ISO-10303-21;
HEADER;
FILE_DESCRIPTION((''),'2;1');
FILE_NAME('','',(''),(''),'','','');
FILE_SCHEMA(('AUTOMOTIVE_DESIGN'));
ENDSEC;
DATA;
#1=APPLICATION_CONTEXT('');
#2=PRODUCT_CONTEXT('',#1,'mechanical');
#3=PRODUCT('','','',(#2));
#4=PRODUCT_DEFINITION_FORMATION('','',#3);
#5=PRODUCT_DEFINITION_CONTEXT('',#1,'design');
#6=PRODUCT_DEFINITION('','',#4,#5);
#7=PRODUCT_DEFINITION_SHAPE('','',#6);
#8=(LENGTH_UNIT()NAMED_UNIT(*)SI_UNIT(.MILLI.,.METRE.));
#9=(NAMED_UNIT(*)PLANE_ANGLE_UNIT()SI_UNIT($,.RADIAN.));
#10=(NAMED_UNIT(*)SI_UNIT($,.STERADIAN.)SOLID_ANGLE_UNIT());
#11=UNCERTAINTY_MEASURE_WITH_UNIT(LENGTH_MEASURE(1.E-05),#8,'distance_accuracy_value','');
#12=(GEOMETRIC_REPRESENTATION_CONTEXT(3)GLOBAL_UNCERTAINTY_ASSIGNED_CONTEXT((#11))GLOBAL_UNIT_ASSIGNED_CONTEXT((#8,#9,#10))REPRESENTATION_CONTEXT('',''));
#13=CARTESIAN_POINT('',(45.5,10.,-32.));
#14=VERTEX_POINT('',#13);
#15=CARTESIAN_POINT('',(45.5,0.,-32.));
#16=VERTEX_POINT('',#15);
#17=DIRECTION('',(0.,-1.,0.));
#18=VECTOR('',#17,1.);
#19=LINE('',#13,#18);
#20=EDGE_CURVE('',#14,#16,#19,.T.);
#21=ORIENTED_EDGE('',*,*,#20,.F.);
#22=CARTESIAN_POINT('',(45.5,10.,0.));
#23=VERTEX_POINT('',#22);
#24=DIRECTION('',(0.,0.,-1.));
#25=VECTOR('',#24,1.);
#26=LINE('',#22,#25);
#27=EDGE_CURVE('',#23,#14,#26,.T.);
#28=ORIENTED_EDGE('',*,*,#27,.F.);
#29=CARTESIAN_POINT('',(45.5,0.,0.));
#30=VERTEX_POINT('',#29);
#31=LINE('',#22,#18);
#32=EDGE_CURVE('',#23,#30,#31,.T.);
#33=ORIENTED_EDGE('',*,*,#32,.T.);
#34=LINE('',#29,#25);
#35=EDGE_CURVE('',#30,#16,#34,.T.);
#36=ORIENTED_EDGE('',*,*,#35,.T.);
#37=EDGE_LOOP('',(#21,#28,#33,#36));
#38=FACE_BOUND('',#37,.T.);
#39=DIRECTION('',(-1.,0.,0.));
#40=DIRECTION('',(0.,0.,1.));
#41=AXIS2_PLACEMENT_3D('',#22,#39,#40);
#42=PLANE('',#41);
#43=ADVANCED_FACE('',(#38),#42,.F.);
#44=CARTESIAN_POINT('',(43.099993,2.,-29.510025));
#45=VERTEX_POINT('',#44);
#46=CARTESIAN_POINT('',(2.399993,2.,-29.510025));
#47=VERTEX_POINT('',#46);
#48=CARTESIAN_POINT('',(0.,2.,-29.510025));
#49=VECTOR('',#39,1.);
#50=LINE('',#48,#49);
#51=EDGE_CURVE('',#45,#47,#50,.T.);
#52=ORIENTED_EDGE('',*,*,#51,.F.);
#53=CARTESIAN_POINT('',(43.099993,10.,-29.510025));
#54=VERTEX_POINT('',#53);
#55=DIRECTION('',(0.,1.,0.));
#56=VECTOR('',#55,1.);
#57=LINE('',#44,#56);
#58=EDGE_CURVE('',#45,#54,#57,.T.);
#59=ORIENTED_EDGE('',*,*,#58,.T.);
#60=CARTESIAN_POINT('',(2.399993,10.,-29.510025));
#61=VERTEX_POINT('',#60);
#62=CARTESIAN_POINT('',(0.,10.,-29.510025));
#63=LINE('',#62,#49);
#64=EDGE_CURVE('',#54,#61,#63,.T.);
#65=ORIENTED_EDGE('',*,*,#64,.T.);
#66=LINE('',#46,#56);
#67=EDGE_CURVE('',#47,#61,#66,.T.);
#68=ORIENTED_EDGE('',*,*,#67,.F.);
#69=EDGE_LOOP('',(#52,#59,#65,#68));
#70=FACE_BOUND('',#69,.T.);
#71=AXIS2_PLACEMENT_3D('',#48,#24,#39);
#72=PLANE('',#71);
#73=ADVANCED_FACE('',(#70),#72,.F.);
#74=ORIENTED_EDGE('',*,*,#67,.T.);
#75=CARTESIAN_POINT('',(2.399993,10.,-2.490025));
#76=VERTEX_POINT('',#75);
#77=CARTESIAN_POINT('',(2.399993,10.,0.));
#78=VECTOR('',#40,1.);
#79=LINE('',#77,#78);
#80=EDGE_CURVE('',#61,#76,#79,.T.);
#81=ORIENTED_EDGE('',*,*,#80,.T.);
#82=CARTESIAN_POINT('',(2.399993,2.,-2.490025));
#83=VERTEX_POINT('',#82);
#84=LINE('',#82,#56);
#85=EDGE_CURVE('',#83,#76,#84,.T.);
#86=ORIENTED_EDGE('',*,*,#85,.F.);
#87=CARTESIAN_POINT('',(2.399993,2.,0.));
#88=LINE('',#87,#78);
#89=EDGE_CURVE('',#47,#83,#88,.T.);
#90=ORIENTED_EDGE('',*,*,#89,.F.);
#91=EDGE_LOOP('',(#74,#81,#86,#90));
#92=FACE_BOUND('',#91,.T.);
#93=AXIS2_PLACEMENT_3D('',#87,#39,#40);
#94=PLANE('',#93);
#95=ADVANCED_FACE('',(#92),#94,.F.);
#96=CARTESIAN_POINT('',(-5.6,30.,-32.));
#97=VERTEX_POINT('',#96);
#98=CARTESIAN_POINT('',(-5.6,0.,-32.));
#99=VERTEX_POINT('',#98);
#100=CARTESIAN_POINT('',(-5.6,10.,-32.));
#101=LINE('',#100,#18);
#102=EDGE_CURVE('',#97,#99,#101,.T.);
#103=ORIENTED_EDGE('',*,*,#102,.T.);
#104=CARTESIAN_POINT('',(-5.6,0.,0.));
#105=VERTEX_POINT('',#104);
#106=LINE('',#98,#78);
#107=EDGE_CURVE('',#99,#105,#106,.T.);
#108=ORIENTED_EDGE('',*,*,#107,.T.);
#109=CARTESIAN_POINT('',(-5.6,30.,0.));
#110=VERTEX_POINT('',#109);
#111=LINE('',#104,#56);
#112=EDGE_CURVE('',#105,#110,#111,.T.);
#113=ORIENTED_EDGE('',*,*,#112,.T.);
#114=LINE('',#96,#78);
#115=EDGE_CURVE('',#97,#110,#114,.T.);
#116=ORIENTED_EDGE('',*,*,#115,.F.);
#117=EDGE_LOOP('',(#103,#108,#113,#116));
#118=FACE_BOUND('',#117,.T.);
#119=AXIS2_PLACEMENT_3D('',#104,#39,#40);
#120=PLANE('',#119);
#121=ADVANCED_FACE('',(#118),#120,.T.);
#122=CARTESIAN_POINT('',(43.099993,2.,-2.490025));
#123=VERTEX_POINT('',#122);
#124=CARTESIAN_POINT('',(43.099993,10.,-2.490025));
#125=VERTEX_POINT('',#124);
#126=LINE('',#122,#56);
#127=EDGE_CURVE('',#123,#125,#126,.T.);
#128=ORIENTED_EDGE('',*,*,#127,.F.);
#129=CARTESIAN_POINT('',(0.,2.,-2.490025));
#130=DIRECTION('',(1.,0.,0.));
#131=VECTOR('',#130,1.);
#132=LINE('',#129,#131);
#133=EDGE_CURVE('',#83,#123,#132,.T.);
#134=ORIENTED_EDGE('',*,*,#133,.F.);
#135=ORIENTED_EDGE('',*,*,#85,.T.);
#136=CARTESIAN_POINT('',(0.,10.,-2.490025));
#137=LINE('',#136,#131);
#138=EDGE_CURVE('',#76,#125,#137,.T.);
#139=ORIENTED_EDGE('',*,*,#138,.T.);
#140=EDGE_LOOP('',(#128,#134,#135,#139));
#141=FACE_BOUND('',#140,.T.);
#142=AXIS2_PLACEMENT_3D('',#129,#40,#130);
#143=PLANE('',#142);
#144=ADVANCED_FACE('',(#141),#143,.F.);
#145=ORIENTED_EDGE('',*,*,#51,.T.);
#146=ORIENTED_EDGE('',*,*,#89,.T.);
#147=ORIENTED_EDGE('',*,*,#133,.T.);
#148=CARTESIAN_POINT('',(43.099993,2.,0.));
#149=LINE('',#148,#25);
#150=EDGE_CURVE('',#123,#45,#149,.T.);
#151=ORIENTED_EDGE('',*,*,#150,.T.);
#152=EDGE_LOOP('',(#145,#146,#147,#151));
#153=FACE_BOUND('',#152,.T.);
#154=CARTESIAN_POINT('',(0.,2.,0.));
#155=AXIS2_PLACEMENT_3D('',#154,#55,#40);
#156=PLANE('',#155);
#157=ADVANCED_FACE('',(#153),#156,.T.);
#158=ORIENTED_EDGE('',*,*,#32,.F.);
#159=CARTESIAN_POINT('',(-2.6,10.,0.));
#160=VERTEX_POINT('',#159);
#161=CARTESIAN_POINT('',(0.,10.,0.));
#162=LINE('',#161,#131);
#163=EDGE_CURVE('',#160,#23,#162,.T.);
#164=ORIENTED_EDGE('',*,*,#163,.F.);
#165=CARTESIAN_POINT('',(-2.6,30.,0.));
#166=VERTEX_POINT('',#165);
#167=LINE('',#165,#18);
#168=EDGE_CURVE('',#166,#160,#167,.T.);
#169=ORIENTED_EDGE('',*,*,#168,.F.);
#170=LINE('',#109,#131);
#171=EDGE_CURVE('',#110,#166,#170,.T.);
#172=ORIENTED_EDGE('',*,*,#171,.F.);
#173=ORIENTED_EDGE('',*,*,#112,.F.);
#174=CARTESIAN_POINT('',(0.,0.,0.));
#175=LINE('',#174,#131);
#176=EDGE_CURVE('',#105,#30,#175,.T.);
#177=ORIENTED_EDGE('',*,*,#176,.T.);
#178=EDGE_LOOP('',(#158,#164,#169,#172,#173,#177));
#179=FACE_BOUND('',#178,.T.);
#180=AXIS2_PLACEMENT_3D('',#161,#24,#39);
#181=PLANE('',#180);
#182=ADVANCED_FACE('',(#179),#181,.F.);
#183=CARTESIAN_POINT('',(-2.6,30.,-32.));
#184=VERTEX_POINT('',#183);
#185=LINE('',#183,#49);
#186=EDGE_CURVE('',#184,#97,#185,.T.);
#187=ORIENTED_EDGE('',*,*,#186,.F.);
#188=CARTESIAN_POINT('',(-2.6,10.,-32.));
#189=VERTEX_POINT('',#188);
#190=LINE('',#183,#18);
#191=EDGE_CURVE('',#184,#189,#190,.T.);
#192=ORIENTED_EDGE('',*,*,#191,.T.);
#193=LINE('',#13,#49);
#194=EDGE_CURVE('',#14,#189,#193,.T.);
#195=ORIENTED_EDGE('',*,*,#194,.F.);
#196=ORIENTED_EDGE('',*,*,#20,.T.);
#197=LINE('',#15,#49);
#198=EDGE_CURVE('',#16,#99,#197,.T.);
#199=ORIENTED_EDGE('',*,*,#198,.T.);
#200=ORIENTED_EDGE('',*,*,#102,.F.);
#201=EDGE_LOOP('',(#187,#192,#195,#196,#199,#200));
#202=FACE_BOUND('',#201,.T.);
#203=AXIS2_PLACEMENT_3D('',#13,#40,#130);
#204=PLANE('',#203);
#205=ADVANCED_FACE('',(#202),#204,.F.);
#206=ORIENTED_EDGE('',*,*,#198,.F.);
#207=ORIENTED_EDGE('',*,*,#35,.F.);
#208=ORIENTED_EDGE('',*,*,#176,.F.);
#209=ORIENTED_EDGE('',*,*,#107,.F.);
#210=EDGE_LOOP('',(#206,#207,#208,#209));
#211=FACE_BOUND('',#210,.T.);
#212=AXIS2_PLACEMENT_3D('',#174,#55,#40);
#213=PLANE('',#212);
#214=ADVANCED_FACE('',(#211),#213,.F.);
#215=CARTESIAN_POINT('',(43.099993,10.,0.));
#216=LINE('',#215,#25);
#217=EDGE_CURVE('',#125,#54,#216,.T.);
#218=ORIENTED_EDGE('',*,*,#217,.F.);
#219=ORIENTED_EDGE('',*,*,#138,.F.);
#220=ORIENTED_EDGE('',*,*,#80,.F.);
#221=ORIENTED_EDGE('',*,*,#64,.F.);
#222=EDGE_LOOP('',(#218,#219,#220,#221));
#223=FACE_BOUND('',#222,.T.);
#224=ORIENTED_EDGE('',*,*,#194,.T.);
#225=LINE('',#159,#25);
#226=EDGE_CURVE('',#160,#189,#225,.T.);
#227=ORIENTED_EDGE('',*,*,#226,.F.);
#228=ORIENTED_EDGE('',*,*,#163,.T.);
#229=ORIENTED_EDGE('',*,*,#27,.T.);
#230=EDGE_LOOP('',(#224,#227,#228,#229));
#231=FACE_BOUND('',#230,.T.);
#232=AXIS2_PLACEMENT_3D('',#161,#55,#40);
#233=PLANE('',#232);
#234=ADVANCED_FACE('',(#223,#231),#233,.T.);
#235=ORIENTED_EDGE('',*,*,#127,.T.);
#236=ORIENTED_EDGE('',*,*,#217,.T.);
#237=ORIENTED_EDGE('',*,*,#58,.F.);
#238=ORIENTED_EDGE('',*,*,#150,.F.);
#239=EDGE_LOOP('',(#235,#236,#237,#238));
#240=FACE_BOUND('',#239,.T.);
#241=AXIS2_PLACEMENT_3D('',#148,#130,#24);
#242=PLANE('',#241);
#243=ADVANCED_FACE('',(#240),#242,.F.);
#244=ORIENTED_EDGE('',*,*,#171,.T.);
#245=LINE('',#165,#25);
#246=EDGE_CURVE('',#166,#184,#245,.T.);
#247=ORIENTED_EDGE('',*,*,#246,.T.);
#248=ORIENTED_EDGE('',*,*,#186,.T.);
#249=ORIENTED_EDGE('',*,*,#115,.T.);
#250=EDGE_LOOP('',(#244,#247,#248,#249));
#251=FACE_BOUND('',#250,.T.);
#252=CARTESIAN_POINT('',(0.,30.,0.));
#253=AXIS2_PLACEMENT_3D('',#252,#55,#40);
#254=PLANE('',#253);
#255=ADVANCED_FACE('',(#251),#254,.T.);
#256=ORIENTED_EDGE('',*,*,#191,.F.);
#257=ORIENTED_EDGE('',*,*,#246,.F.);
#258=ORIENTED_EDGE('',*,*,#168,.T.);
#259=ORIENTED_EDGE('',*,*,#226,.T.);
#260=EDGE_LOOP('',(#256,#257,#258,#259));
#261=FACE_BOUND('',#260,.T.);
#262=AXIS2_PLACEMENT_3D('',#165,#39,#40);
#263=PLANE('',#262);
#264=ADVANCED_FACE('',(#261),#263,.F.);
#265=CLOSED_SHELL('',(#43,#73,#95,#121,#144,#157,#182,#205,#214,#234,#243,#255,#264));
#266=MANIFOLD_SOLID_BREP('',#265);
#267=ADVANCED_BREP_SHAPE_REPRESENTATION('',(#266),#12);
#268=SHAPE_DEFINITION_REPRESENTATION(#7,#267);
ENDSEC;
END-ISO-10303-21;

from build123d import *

# Parameters (mm, degrees)
SKETCH1_W           = 45.5
SKETCH1_H           = 32
BOSS_EXTRUDE1_DEPTH = 10
SKETCH2_W           = 40.7
SKETCH2_H           = 27.02
CUT_EXTRUDE1_DEPTH  = 8
SKETCH3_W           = 32
SKETCH3_H           = 10
BOSS_EXTRUDE2_DEPTH = 5.6
SKETCH4_W           = 3
SKETCH4_H           = 32
BOSS_EXTRUDE3_DEPTH = 20


with BuildPart() as part:
    # Sketch1 → Boss-Extrude1 (new body)
    with BuildSketch(Plane(origin=(0, 0, 0), x_dir=(1, 0, 0), z_dir=(0, 1, 0))):
        with Locations((22.75, 16)):
            Rectangle(SKETCH1_W, SKETCH1_H)
    extrude(amount=BOSS_EXTRUDE1_DEPTH)

    # Sketch2 → Cut-Extrude1 (cut)
    with BuildSketch(Plane(origin=(0, 10, 0), x_dir=(1, 0, 0), z_dir=(0, 1, 0))):
        with Locations((22.749993038, 16.000024748)):
            Rectangle(SKETCH2_W, SKETCH2_H)
    extrude(amount=-CUT_EXTRUDE1_DEPTH, mode=Mode.SUBTRACT)

    # Sketch3 → Boss-Extrude2 (add)
    with BuildSketch(Plane.ZY):
        with Locations((-16, 5)):
            Rectangle(SKETCH3_W, SKETCH3_H)
    extrude(amount=BOSS_EXTRUDE2_DEPTH)

    # Sketch4 → Boss-Extrude3 (add)
    with BuildSketch(Plane(origin=(0, 10, 0), x_dir=(1, 0, 0), z_dir=(0, 1, 0))):
        with Locations((-4.1, 16)):
            Rectangle(SKETCH4_W, SKETCH4_H)
    extrude(amount=BOSS_EXTRUDE3_DEPTH)


solid = part.part
